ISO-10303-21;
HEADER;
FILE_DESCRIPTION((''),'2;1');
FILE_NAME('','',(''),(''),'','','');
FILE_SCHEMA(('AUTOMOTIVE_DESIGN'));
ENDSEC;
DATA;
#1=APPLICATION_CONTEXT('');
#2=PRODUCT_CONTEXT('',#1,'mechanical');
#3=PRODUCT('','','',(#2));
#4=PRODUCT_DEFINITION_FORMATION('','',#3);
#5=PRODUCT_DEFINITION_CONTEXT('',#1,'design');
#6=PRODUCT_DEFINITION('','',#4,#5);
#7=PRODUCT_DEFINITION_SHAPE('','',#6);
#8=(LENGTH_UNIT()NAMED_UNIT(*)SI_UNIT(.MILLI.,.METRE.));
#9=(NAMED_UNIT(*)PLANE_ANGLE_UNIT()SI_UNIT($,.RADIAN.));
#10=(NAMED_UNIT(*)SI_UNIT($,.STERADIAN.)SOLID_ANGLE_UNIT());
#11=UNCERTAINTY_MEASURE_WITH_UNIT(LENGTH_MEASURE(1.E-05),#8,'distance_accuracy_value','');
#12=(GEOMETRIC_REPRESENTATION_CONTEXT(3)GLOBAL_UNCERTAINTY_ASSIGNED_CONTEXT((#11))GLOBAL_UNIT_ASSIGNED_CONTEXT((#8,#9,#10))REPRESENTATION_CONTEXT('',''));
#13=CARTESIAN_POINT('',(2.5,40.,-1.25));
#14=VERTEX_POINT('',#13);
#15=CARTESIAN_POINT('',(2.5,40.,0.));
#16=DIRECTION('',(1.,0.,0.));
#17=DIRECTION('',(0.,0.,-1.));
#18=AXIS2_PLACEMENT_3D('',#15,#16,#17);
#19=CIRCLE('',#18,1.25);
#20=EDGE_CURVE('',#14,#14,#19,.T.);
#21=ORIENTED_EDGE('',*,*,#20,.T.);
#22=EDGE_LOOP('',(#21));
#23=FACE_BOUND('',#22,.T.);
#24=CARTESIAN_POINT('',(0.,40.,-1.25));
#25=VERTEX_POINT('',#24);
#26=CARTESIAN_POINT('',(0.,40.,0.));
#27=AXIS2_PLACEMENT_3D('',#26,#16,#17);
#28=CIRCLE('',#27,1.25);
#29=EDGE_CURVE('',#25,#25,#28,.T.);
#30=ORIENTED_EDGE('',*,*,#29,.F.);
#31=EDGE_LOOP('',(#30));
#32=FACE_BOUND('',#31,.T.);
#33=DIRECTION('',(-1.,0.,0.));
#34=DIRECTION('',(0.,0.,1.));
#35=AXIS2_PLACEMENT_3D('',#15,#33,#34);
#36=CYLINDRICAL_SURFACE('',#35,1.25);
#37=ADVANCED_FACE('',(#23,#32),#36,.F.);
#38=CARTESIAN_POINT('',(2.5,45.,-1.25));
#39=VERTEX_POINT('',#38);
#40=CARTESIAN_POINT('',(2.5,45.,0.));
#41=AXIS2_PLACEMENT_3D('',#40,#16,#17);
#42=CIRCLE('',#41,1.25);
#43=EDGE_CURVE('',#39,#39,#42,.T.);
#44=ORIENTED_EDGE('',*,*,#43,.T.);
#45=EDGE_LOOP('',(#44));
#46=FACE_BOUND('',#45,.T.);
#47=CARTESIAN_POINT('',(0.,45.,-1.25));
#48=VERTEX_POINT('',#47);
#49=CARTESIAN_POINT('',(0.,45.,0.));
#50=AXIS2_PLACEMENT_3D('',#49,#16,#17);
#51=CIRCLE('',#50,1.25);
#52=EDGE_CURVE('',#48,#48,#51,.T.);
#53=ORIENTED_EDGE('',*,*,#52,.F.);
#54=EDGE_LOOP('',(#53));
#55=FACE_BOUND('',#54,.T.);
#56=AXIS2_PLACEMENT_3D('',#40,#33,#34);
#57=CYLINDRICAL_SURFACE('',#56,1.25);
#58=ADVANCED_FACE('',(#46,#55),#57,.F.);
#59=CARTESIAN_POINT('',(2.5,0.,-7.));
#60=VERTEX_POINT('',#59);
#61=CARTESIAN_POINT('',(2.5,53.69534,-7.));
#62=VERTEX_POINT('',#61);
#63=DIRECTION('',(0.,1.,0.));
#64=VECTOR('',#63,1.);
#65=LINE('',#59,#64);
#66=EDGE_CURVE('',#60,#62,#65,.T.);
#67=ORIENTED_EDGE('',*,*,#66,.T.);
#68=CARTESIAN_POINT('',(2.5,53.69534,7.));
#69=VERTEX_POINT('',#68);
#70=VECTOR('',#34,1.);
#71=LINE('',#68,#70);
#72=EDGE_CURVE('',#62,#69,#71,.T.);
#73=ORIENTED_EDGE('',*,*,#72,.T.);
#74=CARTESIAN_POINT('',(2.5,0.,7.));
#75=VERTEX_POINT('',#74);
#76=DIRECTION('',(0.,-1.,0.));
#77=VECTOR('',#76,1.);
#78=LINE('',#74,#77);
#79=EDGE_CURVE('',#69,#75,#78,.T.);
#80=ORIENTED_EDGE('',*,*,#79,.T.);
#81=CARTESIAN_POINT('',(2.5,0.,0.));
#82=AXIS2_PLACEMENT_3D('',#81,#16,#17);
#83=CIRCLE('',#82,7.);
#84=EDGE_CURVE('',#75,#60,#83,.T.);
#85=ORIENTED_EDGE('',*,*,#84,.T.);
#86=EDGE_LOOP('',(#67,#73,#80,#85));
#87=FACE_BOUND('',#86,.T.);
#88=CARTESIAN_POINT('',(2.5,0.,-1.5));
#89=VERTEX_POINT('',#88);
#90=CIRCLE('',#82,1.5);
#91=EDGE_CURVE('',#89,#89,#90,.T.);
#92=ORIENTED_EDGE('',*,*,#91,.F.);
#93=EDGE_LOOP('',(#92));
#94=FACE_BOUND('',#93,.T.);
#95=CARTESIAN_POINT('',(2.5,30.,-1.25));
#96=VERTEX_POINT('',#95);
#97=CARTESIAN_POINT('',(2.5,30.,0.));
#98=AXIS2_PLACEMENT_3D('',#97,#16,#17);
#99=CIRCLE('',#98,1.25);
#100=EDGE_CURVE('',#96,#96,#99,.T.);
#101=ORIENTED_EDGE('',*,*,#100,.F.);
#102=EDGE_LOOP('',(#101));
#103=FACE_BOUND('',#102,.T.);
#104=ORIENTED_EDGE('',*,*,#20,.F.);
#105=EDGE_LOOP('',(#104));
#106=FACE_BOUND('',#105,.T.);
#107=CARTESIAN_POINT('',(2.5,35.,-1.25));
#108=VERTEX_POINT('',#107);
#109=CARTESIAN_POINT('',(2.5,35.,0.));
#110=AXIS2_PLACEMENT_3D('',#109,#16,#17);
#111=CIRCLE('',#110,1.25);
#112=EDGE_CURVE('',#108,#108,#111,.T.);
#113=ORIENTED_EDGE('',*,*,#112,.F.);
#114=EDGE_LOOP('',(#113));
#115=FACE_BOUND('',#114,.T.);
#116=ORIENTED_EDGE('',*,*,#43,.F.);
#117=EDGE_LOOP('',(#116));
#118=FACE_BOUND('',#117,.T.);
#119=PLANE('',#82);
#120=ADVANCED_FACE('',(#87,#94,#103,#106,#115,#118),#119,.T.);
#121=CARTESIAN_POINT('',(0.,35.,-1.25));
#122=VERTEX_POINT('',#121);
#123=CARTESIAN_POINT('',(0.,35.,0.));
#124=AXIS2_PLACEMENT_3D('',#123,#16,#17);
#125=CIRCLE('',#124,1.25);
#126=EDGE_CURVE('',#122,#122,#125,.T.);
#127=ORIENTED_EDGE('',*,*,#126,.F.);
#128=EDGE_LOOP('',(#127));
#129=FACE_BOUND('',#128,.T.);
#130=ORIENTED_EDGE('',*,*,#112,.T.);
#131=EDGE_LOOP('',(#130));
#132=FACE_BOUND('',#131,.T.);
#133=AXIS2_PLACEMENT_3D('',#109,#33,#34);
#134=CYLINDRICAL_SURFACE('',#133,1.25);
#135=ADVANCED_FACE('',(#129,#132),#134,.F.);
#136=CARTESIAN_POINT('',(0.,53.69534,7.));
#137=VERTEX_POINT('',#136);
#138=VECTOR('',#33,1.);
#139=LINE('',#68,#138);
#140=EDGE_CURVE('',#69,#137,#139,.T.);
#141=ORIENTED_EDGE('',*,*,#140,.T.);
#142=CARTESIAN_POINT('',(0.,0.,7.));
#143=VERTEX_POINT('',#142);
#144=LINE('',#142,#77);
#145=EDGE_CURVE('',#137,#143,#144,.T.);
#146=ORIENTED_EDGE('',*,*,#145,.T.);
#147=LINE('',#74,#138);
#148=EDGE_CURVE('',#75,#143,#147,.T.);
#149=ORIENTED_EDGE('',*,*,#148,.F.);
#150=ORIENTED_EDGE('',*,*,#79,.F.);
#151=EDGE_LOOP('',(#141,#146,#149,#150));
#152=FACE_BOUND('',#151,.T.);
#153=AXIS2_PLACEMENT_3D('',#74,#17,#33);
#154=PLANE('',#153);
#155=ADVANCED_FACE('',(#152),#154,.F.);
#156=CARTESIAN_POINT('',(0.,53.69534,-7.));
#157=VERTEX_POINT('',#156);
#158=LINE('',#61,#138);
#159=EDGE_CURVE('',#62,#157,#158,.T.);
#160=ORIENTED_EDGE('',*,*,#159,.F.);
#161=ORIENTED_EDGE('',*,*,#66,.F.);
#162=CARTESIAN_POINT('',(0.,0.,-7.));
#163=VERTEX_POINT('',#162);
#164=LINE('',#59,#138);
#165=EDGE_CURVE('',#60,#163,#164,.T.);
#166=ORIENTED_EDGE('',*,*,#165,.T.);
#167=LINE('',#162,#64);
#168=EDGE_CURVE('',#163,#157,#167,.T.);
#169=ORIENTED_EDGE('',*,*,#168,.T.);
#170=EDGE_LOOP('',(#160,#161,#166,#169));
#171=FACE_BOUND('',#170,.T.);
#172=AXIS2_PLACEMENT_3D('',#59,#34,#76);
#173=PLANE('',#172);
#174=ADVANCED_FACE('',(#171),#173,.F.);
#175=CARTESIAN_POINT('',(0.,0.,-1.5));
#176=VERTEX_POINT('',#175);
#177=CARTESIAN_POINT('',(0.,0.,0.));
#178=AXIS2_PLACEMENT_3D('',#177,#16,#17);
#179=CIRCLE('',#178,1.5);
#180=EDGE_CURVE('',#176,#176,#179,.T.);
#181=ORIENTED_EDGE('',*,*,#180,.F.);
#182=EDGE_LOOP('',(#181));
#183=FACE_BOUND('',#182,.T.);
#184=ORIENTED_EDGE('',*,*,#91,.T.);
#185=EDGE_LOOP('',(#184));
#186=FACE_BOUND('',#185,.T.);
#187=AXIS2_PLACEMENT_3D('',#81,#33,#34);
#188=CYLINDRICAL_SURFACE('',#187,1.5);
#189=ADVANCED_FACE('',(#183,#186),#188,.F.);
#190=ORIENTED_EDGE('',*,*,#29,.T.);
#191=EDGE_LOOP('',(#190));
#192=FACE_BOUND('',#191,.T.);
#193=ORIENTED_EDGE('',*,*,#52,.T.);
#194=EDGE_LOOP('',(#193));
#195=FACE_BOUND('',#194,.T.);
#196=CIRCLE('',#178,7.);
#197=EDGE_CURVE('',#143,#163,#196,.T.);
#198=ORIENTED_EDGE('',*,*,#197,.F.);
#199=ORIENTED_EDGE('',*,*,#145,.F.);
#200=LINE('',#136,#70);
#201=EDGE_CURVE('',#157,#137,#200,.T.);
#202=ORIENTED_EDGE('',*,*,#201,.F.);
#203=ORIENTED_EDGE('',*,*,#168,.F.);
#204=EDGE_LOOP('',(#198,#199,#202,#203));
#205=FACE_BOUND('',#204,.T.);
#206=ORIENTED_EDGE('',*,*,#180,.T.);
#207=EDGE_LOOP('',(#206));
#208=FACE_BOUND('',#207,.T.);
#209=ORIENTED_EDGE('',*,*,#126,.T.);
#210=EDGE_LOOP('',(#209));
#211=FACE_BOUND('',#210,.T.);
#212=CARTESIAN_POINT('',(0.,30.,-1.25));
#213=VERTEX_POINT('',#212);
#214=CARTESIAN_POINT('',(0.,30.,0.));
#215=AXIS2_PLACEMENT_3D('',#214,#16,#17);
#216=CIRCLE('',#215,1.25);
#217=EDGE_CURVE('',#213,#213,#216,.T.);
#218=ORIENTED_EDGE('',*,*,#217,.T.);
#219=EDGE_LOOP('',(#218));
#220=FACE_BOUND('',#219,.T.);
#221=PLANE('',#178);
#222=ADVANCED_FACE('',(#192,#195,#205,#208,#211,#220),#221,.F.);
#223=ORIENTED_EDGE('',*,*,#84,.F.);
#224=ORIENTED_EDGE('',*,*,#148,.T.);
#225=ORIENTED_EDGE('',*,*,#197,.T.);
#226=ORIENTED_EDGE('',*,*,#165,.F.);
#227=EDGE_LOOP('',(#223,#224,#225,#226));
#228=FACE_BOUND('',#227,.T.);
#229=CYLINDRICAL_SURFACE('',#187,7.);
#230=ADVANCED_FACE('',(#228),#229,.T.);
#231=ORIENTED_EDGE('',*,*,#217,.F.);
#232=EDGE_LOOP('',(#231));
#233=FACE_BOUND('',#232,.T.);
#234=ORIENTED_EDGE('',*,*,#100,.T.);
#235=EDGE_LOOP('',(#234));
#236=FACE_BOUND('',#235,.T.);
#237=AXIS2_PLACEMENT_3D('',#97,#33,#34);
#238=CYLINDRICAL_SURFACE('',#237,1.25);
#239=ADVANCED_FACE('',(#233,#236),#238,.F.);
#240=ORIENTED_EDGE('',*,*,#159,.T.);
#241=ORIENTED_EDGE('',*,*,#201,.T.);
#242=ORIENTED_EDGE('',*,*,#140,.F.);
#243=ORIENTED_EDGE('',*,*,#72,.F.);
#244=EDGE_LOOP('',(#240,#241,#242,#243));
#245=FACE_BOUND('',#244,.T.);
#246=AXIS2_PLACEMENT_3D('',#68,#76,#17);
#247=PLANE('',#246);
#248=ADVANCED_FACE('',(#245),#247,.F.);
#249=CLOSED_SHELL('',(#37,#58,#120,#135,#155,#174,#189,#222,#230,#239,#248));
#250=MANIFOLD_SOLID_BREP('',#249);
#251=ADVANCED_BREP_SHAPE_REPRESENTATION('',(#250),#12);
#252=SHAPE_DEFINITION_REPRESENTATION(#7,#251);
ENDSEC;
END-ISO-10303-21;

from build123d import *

# Parameters (mm, degrees)
SKETCH1_R           = 1.5
SKETCH1_R_2         = 1.25
BOSS_EXTRUDE1_DEPTH = 2.5


with BuildPart() as part:
    # Sketch1 → Boss-Extrude1 (new body)
    with BuildSketch(Plane(origin=(0, 0, 0), x_dir=(0, 0, -1), z_dir=(1, 0, 0))):
        with BuildLine():
            Line((-7, 0), (-7, 53.695339599))
            Line((-7, 53.695339599), (7, 53.695339599))
            Line((7, 53.695339599), (7, 0))
            ThreePointArc((7, 0), (0, -7), (-7, 0))
        make_face()
        Circle(SKETCH1_R, mode=Mode.SUBTRACT)
        with Locations((0, 45)):
            Circle(SKETCH1_R_2, mode=Mode.SUBTRACT)
        with Locations((0, 40)):
            Circle(SKETCH1_R_2, mode=Mode.SUBTRACT)
        with Locations((0, 35)):
            Circle(SKETCH1_R_2, mode=Mode.SUBTRACT)
        with Locations((0, 30)):
            Circle(SKETCH1_R_2, mode=Mode.SUBTRACT)
    extrude(amount=BOSS_EXTRUDE1_DEPTH)


solid = part.part
